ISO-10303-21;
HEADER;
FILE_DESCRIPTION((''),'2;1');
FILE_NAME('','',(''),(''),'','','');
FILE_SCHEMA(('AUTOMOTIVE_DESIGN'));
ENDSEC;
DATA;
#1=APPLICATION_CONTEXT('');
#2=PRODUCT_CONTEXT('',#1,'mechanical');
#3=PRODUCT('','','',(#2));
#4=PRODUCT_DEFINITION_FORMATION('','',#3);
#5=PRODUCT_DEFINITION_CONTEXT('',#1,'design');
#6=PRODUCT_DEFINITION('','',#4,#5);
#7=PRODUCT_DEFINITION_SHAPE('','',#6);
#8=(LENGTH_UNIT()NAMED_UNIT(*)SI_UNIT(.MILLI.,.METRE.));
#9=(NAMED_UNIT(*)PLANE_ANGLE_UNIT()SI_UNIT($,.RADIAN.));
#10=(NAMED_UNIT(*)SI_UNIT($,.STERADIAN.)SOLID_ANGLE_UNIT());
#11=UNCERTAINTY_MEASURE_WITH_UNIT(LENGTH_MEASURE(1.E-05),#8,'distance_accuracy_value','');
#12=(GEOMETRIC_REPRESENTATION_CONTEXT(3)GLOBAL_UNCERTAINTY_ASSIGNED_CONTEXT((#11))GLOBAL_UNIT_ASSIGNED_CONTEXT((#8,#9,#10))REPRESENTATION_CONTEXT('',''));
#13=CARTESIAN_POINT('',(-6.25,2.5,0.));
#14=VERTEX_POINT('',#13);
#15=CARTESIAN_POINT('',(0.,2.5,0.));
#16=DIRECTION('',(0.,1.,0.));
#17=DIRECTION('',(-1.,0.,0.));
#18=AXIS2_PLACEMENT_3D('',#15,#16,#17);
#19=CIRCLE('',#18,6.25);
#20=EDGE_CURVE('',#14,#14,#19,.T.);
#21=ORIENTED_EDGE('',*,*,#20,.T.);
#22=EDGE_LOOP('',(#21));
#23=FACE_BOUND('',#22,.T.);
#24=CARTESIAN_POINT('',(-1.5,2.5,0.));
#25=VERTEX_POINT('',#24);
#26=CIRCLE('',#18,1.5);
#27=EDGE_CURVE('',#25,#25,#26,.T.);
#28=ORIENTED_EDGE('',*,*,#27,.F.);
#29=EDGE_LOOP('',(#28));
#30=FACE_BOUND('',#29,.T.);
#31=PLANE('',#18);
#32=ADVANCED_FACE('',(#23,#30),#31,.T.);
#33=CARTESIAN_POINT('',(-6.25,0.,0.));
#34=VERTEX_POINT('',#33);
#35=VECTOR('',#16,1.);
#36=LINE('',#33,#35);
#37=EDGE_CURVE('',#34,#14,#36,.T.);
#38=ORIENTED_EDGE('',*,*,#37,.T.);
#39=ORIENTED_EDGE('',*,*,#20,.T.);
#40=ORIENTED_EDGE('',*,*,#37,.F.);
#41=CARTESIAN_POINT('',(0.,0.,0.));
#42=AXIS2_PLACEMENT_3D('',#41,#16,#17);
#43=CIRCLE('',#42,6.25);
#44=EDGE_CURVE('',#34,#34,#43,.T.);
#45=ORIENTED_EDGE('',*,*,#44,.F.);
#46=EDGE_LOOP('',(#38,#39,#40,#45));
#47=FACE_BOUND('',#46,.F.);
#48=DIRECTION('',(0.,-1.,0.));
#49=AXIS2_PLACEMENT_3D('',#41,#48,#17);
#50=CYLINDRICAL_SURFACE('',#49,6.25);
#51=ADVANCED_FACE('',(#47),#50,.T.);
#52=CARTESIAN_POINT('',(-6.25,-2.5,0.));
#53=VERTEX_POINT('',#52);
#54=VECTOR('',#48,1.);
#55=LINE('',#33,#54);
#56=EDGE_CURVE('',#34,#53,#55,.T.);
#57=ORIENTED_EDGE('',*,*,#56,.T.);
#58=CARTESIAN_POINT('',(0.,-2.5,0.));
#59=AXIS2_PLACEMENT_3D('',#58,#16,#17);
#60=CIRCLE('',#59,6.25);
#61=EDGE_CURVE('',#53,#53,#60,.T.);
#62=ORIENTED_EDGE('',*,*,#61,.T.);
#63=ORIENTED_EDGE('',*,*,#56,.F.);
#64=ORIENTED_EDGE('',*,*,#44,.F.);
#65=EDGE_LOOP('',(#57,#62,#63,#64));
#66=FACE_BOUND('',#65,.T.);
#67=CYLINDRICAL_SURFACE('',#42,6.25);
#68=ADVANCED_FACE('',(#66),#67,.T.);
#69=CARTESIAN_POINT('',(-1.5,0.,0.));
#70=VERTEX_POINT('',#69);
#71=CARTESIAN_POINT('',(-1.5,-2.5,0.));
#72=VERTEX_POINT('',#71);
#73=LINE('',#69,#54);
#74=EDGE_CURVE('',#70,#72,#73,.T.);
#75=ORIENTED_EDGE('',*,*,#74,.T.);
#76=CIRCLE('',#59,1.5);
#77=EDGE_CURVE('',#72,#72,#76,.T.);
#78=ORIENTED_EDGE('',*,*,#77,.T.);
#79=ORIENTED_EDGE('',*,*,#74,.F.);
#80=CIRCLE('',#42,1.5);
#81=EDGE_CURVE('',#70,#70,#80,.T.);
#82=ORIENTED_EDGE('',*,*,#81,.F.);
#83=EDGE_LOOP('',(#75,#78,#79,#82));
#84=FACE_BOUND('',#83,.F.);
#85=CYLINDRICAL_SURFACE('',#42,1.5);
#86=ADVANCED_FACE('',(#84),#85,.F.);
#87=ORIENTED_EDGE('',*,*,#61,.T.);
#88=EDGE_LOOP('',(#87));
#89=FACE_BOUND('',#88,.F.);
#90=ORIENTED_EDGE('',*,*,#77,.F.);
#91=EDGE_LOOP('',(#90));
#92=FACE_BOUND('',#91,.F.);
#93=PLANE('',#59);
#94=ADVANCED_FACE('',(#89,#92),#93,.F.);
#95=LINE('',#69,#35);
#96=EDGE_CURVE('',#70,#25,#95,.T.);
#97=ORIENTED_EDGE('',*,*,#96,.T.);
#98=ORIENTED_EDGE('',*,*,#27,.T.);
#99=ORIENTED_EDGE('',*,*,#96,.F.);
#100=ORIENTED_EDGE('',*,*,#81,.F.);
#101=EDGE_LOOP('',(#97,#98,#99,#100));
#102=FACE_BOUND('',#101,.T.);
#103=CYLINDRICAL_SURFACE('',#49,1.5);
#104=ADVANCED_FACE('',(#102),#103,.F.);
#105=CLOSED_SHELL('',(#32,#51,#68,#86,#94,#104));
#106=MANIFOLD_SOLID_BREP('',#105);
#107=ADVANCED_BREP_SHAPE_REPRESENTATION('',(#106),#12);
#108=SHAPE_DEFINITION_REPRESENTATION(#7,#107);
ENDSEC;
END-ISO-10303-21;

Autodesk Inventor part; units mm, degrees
ref_plane "YZ Plane" through (0, 0, 0) normal (1, 0, 0) x (0, 1, 0)
ref_plane "XZ Plane" through (0, 0, 0) normal (0, 1, 0) x (-1, 0, 0)
ref_plane "XY Plane" through (0, 0, 0) normal (0, 0, 1) x (1, 0, 0)
sketch "Sketch1" plane through (0, 0, 0) normal (0, 1, 0) x (-1, 0, 0)
  circle A0 centre (0, 0) radius 6.25
  circle A1 centre (0, 0) radius 1.5
  dimension "d0" = 12.5
  dimension "d1" = 3
extrude "Extrusion1" add sketch "Sketch1" along normal mid plane 5
properties part number "Rubber" material "Steel, Mild, Welded"
